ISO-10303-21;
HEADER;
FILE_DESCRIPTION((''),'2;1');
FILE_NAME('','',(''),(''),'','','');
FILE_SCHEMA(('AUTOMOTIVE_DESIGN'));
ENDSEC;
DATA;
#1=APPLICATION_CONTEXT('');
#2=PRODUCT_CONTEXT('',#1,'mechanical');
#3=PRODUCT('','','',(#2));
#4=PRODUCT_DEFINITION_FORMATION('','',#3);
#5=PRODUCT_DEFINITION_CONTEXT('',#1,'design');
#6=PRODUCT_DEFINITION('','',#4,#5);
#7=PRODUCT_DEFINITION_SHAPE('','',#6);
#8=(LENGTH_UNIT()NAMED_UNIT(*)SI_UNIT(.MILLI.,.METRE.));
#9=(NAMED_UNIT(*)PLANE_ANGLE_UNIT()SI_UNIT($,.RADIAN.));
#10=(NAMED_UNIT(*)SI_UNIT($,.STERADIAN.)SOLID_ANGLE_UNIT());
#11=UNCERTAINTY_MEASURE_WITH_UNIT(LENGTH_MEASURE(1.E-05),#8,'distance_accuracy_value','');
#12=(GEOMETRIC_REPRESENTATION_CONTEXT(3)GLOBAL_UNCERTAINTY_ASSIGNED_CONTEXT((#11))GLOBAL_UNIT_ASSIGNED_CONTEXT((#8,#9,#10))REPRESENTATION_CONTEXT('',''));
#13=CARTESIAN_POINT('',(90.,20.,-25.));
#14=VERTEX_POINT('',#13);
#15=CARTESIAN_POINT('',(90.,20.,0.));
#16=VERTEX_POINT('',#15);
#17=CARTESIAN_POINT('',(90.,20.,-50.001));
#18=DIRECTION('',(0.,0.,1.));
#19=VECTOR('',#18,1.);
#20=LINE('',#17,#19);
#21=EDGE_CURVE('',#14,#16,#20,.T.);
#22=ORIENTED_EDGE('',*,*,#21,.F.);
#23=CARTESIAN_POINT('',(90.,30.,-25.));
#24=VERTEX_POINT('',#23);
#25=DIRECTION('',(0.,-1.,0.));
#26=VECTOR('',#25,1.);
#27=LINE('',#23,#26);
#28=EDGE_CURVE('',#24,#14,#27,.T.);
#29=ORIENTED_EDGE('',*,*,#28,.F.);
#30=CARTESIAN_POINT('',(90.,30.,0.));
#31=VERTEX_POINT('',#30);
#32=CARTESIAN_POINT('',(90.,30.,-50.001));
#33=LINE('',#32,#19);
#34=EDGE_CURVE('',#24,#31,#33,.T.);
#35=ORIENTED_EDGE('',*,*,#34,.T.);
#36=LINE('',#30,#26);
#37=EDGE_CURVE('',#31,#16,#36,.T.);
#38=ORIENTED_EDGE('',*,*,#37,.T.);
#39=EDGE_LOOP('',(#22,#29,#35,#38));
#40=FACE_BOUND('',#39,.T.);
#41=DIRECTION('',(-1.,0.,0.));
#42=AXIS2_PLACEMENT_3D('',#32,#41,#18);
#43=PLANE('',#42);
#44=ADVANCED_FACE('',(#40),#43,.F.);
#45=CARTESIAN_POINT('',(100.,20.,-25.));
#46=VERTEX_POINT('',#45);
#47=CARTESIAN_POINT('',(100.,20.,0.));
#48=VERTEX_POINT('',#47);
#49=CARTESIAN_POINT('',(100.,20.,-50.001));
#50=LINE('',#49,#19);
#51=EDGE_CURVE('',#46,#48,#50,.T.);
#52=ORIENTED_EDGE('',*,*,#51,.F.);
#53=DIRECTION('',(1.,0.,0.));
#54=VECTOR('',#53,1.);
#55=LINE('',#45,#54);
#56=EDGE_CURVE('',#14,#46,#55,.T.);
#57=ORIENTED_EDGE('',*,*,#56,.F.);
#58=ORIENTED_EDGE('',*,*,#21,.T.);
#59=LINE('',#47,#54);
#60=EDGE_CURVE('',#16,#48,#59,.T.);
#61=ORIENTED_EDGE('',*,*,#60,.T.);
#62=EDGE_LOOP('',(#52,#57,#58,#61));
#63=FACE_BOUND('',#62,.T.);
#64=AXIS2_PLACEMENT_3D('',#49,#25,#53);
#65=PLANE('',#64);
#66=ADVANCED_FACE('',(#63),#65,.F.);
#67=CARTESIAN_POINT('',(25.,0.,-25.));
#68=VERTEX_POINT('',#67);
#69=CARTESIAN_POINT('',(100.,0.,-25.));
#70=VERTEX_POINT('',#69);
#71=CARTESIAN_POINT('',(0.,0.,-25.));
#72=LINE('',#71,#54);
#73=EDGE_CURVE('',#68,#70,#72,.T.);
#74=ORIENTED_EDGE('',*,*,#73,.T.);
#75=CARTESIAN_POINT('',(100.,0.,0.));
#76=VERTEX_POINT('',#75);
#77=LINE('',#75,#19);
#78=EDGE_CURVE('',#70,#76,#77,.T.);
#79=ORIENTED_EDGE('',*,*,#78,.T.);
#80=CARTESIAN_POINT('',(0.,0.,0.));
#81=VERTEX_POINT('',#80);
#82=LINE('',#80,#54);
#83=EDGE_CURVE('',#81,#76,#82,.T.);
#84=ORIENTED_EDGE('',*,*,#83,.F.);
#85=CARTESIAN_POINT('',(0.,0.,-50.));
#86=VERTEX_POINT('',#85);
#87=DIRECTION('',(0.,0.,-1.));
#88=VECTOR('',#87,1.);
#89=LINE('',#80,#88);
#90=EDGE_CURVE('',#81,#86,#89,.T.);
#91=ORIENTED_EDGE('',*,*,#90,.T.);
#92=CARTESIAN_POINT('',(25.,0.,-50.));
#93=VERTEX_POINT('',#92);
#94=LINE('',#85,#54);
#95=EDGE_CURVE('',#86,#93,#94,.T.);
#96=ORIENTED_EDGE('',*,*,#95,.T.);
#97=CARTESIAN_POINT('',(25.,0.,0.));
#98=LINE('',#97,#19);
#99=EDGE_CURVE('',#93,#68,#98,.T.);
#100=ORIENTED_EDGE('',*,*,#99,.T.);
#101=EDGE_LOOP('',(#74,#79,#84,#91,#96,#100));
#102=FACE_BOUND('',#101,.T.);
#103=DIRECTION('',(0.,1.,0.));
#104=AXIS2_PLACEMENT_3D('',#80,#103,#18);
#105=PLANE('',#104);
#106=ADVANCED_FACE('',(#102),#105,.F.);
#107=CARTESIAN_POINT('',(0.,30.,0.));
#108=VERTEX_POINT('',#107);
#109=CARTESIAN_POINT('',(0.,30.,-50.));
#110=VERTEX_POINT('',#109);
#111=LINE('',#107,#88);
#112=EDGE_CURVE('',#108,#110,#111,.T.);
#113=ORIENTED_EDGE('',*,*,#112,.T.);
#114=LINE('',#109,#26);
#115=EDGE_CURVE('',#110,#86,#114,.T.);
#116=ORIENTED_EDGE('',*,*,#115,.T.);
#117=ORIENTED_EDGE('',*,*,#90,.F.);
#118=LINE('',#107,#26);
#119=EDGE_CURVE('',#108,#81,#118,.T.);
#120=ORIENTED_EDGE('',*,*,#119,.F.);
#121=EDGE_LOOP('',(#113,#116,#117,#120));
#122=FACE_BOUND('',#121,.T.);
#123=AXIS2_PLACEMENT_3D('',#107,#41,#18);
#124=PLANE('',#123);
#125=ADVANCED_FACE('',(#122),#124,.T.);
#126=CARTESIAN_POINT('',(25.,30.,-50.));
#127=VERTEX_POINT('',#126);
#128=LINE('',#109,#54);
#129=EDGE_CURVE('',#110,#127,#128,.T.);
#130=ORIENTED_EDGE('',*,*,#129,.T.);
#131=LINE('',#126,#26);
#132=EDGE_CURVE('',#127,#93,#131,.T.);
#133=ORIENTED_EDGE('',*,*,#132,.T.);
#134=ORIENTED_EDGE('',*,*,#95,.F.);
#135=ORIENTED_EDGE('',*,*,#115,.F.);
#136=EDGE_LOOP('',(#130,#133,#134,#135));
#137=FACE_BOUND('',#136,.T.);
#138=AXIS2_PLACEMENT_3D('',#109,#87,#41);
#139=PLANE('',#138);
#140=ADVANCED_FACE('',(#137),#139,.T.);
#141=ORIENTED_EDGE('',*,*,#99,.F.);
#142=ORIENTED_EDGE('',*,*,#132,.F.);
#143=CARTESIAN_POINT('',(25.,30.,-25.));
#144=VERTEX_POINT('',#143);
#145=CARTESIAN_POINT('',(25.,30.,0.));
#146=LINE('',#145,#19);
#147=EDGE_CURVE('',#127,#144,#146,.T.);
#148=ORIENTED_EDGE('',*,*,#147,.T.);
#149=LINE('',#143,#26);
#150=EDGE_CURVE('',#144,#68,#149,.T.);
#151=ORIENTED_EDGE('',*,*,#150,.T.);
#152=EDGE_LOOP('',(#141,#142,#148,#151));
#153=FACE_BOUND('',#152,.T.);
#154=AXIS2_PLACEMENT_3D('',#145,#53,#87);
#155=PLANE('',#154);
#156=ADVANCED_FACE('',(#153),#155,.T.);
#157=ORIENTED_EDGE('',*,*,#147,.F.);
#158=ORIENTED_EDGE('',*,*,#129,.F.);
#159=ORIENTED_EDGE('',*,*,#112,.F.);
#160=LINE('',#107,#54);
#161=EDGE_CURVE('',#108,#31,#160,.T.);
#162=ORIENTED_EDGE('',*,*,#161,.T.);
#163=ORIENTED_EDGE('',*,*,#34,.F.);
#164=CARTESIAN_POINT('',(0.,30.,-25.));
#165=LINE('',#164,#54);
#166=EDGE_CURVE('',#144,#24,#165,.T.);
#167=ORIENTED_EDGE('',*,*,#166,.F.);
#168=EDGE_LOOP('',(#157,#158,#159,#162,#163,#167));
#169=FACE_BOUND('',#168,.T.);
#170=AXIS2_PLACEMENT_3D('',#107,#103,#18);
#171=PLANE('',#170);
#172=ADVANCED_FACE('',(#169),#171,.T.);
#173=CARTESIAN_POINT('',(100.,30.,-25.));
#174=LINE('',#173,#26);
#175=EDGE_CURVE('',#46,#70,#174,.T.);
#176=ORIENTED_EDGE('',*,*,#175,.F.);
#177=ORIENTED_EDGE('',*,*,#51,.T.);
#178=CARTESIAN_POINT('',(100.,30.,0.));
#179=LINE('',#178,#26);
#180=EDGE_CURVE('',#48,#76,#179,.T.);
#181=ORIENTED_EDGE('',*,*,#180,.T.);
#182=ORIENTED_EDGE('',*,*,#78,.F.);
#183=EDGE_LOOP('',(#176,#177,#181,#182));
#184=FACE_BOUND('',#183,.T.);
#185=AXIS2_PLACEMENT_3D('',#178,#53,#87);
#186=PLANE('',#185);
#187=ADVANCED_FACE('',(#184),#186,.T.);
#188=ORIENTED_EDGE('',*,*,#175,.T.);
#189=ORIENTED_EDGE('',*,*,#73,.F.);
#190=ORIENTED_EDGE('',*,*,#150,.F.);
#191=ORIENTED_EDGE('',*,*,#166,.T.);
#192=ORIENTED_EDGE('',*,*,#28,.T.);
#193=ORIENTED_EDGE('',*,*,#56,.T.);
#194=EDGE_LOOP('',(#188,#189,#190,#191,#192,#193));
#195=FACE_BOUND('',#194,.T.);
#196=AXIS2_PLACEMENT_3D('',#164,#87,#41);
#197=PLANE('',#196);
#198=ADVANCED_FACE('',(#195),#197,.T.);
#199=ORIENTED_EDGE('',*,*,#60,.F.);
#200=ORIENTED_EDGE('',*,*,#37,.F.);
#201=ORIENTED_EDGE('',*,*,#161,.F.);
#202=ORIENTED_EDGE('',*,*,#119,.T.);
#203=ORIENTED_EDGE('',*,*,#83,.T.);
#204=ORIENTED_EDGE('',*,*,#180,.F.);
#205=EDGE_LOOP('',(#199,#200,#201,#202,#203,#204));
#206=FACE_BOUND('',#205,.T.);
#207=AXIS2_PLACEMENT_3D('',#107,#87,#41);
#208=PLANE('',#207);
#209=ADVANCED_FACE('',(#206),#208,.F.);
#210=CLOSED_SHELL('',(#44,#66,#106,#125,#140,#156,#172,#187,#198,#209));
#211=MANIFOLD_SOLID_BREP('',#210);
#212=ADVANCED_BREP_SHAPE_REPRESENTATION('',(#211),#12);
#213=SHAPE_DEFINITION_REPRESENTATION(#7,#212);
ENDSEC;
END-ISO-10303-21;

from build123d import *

# Parameters (mm, degrees)
P_IDAT_VYSUNUT_M1_DEPTH  = 30
ODEBRAT_VYSUNUT_M1_REACH = 117.758
SKICA2_W                 = 10
SKICA2_H                 = 10


with BuildPart() as part:
    # Skica1 → Přidat vysunutím1 (new body)
    with BuildSketch(Plane(origin=(0, 0, 0), x_dir=(1, 0, 0), z_dir=(0, 1, 0))):
        Polygon((100, 25), (100, 0), (0, 0), (0, 50), (25, 50), (25, 25), align=None)
    extrude(amount=P_IDAT_VYSUNUT_M1_DEPTH)

    # Skica2 → Odebrat vysunutím1 (cut, up to next)
    with BuildSketch(Plane.XY, mode=Mode.PRIVATE) as odebrat_vysunut_m1_sk1:
        with Locations((95, 25)):
            Rectangle(SKICA2_W, SKICA2_H)
    odebrat_vysunut_m1_tool1 = extrude(odebrat_vysunut_m1_sk1.sketch, amount=-ODEBRAT_VYSUNUT_M1_REACH, mode=Mode.PRIVATE) & part.part
    add(odebrat_vysunut_m1_tool1.solids().sort_by_distance((95, 25, 0))[0], mode=Mode.SUBTRACT)


solid = part.part
